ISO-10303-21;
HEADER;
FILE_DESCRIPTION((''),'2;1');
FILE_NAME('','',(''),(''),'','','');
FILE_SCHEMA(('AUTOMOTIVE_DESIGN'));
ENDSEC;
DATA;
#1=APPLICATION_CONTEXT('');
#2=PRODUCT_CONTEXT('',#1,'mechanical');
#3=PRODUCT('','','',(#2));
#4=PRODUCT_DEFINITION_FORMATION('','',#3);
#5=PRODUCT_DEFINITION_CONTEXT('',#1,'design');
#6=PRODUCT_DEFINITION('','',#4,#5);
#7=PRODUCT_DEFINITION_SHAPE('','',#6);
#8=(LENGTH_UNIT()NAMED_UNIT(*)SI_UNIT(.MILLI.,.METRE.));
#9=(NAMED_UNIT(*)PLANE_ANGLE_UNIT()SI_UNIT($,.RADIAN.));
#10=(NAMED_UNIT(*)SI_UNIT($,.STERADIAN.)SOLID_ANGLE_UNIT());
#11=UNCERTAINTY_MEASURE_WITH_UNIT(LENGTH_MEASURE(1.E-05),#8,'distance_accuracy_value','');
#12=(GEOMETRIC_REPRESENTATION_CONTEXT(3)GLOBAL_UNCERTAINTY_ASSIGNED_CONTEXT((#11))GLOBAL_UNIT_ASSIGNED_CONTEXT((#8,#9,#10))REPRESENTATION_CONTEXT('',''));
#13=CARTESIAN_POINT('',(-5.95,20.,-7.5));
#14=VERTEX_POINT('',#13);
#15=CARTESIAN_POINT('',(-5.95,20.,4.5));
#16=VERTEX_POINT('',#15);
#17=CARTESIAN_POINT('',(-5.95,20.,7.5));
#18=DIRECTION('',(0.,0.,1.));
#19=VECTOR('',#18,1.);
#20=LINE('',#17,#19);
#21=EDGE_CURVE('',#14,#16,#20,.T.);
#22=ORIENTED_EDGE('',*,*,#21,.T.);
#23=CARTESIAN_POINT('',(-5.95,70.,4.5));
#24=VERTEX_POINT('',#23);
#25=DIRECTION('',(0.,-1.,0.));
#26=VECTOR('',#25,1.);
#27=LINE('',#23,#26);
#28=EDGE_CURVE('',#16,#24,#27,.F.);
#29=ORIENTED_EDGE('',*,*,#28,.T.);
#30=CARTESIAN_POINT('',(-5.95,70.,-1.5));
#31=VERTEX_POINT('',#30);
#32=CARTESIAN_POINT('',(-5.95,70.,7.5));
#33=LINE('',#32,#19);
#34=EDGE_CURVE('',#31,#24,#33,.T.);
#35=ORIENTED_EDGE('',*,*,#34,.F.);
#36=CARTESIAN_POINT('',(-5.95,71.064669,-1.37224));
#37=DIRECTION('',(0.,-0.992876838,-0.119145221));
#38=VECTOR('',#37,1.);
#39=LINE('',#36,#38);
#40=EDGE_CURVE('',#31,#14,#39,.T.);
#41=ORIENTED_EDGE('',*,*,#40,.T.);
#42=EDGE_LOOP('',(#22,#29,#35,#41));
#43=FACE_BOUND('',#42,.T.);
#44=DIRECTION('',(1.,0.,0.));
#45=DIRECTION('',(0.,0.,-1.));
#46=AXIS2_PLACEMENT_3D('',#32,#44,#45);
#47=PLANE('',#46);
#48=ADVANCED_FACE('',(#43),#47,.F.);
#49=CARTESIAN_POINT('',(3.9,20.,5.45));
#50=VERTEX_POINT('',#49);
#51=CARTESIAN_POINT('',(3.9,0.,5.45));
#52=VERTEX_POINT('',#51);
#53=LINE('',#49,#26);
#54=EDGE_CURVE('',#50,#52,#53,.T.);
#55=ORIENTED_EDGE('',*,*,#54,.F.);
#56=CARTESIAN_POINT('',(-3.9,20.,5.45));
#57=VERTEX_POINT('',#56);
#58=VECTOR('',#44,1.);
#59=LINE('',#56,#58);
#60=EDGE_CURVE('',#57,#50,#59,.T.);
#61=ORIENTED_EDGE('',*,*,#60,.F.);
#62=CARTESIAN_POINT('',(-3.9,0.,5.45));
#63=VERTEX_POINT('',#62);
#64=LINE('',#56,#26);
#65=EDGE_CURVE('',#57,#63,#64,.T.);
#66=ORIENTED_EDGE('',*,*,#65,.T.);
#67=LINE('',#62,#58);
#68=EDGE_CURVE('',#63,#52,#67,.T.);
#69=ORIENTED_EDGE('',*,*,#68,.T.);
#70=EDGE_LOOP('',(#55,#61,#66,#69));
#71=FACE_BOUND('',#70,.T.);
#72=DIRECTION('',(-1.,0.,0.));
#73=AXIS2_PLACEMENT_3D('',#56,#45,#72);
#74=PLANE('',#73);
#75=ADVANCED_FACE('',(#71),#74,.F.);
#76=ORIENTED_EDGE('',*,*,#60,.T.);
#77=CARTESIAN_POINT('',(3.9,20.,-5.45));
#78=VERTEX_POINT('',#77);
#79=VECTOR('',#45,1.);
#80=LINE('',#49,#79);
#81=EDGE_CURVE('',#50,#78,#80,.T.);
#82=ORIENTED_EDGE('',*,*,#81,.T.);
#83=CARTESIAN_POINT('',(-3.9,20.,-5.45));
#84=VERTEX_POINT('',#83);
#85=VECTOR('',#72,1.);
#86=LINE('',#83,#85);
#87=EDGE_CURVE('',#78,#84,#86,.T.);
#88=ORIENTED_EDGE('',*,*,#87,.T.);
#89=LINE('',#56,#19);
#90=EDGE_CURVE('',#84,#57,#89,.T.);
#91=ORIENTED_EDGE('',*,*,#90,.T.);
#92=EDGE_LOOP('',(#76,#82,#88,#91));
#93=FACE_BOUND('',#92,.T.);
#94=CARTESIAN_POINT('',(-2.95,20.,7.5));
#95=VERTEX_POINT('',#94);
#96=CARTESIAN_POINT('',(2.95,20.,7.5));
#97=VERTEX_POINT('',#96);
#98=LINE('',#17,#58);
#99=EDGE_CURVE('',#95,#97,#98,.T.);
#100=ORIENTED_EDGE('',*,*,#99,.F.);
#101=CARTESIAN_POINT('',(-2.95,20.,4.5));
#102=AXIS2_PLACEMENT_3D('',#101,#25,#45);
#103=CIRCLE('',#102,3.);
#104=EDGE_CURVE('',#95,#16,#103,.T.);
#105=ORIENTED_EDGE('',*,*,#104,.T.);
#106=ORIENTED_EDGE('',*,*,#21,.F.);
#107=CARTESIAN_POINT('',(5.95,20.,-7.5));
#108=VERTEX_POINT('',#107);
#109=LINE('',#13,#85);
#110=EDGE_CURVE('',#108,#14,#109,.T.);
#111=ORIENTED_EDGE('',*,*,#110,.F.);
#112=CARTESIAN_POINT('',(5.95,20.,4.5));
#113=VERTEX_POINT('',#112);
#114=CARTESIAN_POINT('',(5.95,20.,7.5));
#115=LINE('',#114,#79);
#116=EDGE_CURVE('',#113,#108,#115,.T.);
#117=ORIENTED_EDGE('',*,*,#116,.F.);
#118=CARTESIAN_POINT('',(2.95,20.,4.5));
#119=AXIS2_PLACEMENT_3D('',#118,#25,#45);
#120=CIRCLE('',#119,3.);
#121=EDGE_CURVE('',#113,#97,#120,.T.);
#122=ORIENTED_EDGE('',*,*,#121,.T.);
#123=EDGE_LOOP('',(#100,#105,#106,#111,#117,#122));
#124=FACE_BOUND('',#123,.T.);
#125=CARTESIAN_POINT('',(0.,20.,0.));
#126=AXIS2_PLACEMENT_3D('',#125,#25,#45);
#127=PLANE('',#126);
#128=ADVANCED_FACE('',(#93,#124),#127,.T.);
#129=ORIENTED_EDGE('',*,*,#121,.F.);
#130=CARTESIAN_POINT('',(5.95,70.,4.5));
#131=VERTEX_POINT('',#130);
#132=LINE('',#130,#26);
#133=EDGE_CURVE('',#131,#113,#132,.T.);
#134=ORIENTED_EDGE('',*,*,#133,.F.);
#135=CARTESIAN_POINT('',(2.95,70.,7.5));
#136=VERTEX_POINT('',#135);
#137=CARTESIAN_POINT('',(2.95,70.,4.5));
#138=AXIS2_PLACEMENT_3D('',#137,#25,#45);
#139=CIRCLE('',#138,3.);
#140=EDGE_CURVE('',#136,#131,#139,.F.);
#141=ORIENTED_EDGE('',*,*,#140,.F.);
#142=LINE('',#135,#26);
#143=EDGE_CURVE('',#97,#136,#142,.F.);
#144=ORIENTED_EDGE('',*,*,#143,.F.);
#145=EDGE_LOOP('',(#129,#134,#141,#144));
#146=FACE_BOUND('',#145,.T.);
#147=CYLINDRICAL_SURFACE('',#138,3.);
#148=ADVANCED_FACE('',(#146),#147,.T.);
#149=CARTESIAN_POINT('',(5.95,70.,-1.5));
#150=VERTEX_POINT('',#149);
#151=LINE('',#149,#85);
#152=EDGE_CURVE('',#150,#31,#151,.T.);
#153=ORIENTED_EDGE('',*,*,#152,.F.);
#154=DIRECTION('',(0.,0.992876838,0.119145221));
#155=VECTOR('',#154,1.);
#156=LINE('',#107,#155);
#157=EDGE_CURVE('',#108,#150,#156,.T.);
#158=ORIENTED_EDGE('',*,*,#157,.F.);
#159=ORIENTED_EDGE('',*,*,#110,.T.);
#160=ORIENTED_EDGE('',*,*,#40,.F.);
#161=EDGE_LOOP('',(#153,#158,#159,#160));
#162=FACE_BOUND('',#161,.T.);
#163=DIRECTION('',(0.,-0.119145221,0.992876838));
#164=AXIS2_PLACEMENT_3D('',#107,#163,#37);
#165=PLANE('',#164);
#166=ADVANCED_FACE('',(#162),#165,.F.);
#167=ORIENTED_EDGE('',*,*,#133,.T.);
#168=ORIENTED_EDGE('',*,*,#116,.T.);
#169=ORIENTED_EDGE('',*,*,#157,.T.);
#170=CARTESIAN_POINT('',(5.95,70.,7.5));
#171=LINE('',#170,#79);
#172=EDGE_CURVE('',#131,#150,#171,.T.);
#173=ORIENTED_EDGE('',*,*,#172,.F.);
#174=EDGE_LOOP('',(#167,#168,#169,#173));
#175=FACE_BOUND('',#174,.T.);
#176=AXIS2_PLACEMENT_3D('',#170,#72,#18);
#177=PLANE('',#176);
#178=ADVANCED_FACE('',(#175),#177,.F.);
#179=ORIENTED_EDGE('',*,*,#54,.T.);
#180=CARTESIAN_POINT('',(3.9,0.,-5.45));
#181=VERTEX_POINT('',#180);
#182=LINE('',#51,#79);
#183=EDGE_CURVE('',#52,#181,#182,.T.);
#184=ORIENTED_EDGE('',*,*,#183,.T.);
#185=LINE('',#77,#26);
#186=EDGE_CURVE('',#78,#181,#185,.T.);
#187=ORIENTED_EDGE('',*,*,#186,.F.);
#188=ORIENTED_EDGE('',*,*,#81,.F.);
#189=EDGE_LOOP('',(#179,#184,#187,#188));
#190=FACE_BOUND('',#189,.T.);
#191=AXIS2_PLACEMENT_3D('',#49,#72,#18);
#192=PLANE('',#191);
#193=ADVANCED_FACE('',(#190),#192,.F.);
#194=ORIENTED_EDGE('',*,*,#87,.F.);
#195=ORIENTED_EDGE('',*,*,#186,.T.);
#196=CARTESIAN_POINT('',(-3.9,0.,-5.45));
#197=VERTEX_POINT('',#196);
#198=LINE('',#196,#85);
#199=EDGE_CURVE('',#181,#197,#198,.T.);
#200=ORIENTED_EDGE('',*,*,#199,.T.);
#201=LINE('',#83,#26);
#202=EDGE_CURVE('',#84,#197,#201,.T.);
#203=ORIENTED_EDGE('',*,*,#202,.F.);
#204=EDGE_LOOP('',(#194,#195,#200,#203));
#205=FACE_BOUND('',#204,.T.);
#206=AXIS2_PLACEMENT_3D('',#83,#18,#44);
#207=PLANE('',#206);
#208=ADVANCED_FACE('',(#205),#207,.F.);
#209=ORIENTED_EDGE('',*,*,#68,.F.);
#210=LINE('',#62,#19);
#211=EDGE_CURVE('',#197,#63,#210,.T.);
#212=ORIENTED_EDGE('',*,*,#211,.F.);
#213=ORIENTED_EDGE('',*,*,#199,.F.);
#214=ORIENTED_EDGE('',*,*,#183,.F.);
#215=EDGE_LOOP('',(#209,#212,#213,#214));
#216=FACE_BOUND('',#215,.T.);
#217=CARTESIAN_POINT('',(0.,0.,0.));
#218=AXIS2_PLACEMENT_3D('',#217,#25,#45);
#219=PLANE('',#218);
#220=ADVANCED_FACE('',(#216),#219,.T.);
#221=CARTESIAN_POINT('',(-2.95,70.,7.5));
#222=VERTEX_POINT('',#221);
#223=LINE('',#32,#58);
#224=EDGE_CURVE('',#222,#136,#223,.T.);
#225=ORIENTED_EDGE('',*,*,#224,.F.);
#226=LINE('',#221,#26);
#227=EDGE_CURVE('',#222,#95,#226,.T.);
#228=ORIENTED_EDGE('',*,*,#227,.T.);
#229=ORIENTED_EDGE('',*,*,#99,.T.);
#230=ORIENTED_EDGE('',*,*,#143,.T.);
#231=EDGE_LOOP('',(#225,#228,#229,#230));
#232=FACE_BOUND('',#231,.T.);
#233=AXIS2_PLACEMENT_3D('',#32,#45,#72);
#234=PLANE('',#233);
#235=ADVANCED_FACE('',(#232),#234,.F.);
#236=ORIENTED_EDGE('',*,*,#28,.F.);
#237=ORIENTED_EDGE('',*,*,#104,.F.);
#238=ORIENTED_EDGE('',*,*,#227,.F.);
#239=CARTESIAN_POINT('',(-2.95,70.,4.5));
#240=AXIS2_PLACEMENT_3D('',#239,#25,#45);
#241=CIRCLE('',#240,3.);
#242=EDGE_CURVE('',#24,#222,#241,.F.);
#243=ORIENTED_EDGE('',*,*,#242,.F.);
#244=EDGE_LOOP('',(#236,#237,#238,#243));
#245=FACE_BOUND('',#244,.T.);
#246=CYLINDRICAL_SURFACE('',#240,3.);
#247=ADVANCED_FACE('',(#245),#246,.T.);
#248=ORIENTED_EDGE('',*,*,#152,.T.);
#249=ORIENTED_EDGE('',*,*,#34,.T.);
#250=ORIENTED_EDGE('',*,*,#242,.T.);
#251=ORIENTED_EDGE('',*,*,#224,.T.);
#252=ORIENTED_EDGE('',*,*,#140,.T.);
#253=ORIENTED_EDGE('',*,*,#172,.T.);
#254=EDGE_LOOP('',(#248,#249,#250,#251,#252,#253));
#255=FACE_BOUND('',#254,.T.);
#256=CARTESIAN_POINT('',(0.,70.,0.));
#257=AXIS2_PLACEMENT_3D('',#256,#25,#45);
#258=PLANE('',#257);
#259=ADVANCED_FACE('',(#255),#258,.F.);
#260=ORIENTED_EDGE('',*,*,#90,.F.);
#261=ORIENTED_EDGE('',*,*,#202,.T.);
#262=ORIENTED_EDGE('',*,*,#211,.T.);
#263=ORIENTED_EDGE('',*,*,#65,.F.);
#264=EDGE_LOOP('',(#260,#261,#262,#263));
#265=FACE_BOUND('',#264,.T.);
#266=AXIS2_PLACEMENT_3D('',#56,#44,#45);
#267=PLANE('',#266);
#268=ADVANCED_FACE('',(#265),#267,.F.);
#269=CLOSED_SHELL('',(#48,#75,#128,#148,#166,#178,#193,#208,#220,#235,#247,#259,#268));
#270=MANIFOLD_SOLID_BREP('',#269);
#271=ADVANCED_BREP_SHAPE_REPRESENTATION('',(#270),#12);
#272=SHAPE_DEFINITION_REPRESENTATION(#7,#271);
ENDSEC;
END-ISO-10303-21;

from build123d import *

# Parameters (mm, degrees)
SKETCH1_W               = 7.8
SKETCH1_H               = 10.9
BOSS_EXTRUDE1_DEPTH     = 20
SKETCH2_W               = 11.9
SKETCH2_H               = 15
BOSS_EXTRUDE2_DEPTH     = 50
CUT_EXTRUDE1_DEPTH      = 72.399299716
CUT_EXTRUDE1_DEPTH_BACK = 72.399299716
FILLET1_R               = 3


with BuildPart() as part:
    # Sketch1 → Boss-Extrude1 (new body)
    with BuildSketch(Plane(origin=(0, 0, 0), x_dir=(1, 0, 0), z_dir=(0, 1, 0))):
        Rectangle(SKETCH1_W, SKETCH1_H)
    extrude(amount=BOSS_EXTRUDE1_DEPTH)

    # Sketch2 → Boss-Extrude2 (add)
    with BuildSketch(Plane(origin=(0, 20, 0), x_dir=(1, 0, 0), z_dir=(0, 1, 0))):
        Rectangle(SKETCH2_W, SKETCH2_H)
    extrude(amount=BOSS_EXTRUDE2_DEPTH)

    # Sketch3 → Cut-Extrude1 (cut, two sides: drawn at the far end of the back side and taken through both)
    with BuildSketch(Plane.ZY.offset(5.95).offset(-CUT_EXTRUDE1_DEPTH_BACK)):
        Polygon((-7.5, 20), (-1.5, 70), (-7.5, 70), align=None)
    extrude(amount=CUT_EXTRUDE1_DEPTH + CUT_EXTRUDE1_DEPTH_BACK, mode=Mode.SUBTRACT)

    # Fillet1
    fillet1_edges = [part.edges().sort_by_distance(p)[0] for p in [
        (5.95, 45, 7.5),
        (-5.95, 45, 7.5),
    ]]
    fillet(fillet1_edges, radius=FILLET1_R)


solid = part.part
